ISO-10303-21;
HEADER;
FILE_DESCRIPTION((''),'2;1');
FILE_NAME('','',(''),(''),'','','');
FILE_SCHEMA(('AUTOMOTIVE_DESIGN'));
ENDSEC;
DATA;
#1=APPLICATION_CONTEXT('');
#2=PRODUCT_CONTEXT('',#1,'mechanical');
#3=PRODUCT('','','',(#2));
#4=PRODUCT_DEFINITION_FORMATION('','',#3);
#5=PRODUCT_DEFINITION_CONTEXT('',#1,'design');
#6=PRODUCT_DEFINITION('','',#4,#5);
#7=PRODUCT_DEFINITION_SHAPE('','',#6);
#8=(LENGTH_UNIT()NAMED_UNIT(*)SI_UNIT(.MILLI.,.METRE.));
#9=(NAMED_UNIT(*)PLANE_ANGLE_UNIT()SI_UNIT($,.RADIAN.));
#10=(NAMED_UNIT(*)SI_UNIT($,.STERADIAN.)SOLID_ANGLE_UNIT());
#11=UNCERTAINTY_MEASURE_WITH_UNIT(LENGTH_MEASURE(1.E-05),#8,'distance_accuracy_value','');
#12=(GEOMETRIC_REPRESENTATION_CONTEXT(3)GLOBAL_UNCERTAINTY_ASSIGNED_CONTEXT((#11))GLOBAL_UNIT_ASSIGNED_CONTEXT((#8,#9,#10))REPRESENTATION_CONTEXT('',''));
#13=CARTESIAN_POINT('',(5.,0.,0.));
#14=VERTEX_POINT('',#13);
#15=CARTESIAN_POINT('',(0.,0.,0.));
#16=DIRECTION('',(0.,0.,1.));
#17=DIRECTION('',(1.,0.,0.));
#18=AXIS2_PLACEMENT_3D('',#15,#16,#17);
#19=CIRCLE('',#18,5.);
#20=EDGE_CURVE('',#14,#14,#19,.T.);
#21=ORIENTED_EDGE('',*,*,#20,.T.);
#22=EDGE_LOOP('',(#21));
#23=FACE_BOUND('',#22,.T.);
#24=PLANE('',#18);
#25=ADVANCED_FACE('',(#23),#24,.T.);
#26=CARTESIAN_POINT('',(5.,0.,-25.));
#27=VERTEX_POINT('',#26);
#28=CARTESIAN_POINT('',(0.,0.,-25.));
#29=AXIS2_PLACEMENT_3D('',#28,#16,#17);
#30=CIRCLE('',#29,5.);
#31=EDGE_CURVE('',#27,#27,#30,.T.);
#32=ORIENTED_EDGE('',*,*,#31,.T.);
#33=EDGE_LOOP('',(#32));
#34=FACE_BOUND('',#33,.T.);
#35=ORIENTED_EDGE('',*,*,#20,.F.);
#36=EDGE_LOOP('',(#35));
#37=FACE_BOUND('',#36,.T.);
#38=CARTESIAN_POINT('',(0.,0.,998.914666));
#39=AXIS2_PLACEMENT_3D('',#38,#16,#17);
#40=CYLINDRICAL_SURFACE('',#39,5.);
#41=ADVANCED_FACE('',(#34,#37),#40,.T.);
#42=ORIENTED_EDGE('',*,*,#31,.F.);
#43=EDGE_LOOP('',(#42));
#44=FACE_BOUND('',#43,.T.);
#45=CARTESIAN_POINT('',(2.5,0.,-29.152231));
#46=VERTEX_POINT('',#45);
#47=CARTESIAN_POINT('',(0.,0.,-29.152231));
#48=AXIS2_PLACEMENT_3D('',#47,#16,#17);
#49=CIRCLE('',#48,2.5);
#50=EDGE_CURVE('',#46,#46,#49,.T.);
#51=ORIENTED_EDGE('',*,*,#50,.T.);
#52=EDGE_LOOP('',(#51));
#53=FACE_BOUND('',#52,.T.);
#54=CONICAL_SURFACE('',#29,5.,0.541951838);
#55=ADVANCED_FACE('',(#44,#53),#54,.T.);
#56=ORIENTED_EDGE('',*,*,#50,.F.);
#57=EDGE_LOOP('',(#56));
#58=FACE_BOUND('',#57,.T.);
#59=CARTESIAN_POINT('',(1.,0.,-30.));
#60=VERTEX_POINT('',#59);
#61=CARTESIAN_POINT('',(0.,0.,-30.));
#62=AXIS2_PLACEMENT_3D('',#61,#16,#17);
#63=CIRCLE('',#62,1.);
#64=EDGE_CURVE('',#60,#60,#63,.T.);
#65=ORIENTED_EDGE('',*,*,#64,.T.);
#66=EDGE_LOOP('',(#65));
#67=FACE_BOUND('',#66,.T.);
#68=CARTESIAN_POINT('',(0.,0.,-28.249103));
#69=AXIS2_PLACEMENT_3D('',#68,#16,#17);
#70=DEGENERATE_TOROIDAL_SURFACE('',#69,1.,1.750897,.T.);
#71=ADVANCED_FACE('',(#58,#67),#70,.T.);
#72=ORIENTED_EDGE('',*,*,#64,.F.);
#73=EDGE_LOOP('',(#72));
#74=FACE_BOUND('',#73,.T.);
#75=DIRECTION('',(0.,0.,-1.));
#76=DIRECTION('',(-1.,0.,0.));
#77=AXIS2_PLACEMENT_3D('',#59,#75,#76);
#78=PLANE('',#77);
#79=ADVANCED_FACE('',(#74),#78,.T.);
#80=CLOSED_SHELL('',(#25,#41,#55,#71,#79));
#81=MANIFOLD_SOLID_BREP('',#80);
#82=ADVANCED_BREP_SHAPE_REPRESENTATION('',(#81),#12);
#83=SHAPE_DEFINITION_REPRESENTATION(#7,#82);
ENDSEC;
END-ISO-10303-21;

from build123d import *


with BuildPart() as part:
    # Sketch1 → Revolve1 (revolve)
    with BuildSketch(Plane(origin=(0, 0, 0), x_dir=(1, 0, 0), z_dir=(0, 1, 0))):
        with BuildLine():
            Line((0, 0), (5, 0))
            Line((5, 0), (5, 25))
            Line((5, 25), (2.5, 29.152231445))
            ThreePointArc((2.5, 29.152231445), (1.861497464, 29.773393854), (1, 30))
            Line((1, 30), (0, 30))
            Line((0, 30), (0, 0))
        make_face()
    revolve(axis=Axis((0, 0, 998.914666283), (0, 0, -1)))


solid = part.part
